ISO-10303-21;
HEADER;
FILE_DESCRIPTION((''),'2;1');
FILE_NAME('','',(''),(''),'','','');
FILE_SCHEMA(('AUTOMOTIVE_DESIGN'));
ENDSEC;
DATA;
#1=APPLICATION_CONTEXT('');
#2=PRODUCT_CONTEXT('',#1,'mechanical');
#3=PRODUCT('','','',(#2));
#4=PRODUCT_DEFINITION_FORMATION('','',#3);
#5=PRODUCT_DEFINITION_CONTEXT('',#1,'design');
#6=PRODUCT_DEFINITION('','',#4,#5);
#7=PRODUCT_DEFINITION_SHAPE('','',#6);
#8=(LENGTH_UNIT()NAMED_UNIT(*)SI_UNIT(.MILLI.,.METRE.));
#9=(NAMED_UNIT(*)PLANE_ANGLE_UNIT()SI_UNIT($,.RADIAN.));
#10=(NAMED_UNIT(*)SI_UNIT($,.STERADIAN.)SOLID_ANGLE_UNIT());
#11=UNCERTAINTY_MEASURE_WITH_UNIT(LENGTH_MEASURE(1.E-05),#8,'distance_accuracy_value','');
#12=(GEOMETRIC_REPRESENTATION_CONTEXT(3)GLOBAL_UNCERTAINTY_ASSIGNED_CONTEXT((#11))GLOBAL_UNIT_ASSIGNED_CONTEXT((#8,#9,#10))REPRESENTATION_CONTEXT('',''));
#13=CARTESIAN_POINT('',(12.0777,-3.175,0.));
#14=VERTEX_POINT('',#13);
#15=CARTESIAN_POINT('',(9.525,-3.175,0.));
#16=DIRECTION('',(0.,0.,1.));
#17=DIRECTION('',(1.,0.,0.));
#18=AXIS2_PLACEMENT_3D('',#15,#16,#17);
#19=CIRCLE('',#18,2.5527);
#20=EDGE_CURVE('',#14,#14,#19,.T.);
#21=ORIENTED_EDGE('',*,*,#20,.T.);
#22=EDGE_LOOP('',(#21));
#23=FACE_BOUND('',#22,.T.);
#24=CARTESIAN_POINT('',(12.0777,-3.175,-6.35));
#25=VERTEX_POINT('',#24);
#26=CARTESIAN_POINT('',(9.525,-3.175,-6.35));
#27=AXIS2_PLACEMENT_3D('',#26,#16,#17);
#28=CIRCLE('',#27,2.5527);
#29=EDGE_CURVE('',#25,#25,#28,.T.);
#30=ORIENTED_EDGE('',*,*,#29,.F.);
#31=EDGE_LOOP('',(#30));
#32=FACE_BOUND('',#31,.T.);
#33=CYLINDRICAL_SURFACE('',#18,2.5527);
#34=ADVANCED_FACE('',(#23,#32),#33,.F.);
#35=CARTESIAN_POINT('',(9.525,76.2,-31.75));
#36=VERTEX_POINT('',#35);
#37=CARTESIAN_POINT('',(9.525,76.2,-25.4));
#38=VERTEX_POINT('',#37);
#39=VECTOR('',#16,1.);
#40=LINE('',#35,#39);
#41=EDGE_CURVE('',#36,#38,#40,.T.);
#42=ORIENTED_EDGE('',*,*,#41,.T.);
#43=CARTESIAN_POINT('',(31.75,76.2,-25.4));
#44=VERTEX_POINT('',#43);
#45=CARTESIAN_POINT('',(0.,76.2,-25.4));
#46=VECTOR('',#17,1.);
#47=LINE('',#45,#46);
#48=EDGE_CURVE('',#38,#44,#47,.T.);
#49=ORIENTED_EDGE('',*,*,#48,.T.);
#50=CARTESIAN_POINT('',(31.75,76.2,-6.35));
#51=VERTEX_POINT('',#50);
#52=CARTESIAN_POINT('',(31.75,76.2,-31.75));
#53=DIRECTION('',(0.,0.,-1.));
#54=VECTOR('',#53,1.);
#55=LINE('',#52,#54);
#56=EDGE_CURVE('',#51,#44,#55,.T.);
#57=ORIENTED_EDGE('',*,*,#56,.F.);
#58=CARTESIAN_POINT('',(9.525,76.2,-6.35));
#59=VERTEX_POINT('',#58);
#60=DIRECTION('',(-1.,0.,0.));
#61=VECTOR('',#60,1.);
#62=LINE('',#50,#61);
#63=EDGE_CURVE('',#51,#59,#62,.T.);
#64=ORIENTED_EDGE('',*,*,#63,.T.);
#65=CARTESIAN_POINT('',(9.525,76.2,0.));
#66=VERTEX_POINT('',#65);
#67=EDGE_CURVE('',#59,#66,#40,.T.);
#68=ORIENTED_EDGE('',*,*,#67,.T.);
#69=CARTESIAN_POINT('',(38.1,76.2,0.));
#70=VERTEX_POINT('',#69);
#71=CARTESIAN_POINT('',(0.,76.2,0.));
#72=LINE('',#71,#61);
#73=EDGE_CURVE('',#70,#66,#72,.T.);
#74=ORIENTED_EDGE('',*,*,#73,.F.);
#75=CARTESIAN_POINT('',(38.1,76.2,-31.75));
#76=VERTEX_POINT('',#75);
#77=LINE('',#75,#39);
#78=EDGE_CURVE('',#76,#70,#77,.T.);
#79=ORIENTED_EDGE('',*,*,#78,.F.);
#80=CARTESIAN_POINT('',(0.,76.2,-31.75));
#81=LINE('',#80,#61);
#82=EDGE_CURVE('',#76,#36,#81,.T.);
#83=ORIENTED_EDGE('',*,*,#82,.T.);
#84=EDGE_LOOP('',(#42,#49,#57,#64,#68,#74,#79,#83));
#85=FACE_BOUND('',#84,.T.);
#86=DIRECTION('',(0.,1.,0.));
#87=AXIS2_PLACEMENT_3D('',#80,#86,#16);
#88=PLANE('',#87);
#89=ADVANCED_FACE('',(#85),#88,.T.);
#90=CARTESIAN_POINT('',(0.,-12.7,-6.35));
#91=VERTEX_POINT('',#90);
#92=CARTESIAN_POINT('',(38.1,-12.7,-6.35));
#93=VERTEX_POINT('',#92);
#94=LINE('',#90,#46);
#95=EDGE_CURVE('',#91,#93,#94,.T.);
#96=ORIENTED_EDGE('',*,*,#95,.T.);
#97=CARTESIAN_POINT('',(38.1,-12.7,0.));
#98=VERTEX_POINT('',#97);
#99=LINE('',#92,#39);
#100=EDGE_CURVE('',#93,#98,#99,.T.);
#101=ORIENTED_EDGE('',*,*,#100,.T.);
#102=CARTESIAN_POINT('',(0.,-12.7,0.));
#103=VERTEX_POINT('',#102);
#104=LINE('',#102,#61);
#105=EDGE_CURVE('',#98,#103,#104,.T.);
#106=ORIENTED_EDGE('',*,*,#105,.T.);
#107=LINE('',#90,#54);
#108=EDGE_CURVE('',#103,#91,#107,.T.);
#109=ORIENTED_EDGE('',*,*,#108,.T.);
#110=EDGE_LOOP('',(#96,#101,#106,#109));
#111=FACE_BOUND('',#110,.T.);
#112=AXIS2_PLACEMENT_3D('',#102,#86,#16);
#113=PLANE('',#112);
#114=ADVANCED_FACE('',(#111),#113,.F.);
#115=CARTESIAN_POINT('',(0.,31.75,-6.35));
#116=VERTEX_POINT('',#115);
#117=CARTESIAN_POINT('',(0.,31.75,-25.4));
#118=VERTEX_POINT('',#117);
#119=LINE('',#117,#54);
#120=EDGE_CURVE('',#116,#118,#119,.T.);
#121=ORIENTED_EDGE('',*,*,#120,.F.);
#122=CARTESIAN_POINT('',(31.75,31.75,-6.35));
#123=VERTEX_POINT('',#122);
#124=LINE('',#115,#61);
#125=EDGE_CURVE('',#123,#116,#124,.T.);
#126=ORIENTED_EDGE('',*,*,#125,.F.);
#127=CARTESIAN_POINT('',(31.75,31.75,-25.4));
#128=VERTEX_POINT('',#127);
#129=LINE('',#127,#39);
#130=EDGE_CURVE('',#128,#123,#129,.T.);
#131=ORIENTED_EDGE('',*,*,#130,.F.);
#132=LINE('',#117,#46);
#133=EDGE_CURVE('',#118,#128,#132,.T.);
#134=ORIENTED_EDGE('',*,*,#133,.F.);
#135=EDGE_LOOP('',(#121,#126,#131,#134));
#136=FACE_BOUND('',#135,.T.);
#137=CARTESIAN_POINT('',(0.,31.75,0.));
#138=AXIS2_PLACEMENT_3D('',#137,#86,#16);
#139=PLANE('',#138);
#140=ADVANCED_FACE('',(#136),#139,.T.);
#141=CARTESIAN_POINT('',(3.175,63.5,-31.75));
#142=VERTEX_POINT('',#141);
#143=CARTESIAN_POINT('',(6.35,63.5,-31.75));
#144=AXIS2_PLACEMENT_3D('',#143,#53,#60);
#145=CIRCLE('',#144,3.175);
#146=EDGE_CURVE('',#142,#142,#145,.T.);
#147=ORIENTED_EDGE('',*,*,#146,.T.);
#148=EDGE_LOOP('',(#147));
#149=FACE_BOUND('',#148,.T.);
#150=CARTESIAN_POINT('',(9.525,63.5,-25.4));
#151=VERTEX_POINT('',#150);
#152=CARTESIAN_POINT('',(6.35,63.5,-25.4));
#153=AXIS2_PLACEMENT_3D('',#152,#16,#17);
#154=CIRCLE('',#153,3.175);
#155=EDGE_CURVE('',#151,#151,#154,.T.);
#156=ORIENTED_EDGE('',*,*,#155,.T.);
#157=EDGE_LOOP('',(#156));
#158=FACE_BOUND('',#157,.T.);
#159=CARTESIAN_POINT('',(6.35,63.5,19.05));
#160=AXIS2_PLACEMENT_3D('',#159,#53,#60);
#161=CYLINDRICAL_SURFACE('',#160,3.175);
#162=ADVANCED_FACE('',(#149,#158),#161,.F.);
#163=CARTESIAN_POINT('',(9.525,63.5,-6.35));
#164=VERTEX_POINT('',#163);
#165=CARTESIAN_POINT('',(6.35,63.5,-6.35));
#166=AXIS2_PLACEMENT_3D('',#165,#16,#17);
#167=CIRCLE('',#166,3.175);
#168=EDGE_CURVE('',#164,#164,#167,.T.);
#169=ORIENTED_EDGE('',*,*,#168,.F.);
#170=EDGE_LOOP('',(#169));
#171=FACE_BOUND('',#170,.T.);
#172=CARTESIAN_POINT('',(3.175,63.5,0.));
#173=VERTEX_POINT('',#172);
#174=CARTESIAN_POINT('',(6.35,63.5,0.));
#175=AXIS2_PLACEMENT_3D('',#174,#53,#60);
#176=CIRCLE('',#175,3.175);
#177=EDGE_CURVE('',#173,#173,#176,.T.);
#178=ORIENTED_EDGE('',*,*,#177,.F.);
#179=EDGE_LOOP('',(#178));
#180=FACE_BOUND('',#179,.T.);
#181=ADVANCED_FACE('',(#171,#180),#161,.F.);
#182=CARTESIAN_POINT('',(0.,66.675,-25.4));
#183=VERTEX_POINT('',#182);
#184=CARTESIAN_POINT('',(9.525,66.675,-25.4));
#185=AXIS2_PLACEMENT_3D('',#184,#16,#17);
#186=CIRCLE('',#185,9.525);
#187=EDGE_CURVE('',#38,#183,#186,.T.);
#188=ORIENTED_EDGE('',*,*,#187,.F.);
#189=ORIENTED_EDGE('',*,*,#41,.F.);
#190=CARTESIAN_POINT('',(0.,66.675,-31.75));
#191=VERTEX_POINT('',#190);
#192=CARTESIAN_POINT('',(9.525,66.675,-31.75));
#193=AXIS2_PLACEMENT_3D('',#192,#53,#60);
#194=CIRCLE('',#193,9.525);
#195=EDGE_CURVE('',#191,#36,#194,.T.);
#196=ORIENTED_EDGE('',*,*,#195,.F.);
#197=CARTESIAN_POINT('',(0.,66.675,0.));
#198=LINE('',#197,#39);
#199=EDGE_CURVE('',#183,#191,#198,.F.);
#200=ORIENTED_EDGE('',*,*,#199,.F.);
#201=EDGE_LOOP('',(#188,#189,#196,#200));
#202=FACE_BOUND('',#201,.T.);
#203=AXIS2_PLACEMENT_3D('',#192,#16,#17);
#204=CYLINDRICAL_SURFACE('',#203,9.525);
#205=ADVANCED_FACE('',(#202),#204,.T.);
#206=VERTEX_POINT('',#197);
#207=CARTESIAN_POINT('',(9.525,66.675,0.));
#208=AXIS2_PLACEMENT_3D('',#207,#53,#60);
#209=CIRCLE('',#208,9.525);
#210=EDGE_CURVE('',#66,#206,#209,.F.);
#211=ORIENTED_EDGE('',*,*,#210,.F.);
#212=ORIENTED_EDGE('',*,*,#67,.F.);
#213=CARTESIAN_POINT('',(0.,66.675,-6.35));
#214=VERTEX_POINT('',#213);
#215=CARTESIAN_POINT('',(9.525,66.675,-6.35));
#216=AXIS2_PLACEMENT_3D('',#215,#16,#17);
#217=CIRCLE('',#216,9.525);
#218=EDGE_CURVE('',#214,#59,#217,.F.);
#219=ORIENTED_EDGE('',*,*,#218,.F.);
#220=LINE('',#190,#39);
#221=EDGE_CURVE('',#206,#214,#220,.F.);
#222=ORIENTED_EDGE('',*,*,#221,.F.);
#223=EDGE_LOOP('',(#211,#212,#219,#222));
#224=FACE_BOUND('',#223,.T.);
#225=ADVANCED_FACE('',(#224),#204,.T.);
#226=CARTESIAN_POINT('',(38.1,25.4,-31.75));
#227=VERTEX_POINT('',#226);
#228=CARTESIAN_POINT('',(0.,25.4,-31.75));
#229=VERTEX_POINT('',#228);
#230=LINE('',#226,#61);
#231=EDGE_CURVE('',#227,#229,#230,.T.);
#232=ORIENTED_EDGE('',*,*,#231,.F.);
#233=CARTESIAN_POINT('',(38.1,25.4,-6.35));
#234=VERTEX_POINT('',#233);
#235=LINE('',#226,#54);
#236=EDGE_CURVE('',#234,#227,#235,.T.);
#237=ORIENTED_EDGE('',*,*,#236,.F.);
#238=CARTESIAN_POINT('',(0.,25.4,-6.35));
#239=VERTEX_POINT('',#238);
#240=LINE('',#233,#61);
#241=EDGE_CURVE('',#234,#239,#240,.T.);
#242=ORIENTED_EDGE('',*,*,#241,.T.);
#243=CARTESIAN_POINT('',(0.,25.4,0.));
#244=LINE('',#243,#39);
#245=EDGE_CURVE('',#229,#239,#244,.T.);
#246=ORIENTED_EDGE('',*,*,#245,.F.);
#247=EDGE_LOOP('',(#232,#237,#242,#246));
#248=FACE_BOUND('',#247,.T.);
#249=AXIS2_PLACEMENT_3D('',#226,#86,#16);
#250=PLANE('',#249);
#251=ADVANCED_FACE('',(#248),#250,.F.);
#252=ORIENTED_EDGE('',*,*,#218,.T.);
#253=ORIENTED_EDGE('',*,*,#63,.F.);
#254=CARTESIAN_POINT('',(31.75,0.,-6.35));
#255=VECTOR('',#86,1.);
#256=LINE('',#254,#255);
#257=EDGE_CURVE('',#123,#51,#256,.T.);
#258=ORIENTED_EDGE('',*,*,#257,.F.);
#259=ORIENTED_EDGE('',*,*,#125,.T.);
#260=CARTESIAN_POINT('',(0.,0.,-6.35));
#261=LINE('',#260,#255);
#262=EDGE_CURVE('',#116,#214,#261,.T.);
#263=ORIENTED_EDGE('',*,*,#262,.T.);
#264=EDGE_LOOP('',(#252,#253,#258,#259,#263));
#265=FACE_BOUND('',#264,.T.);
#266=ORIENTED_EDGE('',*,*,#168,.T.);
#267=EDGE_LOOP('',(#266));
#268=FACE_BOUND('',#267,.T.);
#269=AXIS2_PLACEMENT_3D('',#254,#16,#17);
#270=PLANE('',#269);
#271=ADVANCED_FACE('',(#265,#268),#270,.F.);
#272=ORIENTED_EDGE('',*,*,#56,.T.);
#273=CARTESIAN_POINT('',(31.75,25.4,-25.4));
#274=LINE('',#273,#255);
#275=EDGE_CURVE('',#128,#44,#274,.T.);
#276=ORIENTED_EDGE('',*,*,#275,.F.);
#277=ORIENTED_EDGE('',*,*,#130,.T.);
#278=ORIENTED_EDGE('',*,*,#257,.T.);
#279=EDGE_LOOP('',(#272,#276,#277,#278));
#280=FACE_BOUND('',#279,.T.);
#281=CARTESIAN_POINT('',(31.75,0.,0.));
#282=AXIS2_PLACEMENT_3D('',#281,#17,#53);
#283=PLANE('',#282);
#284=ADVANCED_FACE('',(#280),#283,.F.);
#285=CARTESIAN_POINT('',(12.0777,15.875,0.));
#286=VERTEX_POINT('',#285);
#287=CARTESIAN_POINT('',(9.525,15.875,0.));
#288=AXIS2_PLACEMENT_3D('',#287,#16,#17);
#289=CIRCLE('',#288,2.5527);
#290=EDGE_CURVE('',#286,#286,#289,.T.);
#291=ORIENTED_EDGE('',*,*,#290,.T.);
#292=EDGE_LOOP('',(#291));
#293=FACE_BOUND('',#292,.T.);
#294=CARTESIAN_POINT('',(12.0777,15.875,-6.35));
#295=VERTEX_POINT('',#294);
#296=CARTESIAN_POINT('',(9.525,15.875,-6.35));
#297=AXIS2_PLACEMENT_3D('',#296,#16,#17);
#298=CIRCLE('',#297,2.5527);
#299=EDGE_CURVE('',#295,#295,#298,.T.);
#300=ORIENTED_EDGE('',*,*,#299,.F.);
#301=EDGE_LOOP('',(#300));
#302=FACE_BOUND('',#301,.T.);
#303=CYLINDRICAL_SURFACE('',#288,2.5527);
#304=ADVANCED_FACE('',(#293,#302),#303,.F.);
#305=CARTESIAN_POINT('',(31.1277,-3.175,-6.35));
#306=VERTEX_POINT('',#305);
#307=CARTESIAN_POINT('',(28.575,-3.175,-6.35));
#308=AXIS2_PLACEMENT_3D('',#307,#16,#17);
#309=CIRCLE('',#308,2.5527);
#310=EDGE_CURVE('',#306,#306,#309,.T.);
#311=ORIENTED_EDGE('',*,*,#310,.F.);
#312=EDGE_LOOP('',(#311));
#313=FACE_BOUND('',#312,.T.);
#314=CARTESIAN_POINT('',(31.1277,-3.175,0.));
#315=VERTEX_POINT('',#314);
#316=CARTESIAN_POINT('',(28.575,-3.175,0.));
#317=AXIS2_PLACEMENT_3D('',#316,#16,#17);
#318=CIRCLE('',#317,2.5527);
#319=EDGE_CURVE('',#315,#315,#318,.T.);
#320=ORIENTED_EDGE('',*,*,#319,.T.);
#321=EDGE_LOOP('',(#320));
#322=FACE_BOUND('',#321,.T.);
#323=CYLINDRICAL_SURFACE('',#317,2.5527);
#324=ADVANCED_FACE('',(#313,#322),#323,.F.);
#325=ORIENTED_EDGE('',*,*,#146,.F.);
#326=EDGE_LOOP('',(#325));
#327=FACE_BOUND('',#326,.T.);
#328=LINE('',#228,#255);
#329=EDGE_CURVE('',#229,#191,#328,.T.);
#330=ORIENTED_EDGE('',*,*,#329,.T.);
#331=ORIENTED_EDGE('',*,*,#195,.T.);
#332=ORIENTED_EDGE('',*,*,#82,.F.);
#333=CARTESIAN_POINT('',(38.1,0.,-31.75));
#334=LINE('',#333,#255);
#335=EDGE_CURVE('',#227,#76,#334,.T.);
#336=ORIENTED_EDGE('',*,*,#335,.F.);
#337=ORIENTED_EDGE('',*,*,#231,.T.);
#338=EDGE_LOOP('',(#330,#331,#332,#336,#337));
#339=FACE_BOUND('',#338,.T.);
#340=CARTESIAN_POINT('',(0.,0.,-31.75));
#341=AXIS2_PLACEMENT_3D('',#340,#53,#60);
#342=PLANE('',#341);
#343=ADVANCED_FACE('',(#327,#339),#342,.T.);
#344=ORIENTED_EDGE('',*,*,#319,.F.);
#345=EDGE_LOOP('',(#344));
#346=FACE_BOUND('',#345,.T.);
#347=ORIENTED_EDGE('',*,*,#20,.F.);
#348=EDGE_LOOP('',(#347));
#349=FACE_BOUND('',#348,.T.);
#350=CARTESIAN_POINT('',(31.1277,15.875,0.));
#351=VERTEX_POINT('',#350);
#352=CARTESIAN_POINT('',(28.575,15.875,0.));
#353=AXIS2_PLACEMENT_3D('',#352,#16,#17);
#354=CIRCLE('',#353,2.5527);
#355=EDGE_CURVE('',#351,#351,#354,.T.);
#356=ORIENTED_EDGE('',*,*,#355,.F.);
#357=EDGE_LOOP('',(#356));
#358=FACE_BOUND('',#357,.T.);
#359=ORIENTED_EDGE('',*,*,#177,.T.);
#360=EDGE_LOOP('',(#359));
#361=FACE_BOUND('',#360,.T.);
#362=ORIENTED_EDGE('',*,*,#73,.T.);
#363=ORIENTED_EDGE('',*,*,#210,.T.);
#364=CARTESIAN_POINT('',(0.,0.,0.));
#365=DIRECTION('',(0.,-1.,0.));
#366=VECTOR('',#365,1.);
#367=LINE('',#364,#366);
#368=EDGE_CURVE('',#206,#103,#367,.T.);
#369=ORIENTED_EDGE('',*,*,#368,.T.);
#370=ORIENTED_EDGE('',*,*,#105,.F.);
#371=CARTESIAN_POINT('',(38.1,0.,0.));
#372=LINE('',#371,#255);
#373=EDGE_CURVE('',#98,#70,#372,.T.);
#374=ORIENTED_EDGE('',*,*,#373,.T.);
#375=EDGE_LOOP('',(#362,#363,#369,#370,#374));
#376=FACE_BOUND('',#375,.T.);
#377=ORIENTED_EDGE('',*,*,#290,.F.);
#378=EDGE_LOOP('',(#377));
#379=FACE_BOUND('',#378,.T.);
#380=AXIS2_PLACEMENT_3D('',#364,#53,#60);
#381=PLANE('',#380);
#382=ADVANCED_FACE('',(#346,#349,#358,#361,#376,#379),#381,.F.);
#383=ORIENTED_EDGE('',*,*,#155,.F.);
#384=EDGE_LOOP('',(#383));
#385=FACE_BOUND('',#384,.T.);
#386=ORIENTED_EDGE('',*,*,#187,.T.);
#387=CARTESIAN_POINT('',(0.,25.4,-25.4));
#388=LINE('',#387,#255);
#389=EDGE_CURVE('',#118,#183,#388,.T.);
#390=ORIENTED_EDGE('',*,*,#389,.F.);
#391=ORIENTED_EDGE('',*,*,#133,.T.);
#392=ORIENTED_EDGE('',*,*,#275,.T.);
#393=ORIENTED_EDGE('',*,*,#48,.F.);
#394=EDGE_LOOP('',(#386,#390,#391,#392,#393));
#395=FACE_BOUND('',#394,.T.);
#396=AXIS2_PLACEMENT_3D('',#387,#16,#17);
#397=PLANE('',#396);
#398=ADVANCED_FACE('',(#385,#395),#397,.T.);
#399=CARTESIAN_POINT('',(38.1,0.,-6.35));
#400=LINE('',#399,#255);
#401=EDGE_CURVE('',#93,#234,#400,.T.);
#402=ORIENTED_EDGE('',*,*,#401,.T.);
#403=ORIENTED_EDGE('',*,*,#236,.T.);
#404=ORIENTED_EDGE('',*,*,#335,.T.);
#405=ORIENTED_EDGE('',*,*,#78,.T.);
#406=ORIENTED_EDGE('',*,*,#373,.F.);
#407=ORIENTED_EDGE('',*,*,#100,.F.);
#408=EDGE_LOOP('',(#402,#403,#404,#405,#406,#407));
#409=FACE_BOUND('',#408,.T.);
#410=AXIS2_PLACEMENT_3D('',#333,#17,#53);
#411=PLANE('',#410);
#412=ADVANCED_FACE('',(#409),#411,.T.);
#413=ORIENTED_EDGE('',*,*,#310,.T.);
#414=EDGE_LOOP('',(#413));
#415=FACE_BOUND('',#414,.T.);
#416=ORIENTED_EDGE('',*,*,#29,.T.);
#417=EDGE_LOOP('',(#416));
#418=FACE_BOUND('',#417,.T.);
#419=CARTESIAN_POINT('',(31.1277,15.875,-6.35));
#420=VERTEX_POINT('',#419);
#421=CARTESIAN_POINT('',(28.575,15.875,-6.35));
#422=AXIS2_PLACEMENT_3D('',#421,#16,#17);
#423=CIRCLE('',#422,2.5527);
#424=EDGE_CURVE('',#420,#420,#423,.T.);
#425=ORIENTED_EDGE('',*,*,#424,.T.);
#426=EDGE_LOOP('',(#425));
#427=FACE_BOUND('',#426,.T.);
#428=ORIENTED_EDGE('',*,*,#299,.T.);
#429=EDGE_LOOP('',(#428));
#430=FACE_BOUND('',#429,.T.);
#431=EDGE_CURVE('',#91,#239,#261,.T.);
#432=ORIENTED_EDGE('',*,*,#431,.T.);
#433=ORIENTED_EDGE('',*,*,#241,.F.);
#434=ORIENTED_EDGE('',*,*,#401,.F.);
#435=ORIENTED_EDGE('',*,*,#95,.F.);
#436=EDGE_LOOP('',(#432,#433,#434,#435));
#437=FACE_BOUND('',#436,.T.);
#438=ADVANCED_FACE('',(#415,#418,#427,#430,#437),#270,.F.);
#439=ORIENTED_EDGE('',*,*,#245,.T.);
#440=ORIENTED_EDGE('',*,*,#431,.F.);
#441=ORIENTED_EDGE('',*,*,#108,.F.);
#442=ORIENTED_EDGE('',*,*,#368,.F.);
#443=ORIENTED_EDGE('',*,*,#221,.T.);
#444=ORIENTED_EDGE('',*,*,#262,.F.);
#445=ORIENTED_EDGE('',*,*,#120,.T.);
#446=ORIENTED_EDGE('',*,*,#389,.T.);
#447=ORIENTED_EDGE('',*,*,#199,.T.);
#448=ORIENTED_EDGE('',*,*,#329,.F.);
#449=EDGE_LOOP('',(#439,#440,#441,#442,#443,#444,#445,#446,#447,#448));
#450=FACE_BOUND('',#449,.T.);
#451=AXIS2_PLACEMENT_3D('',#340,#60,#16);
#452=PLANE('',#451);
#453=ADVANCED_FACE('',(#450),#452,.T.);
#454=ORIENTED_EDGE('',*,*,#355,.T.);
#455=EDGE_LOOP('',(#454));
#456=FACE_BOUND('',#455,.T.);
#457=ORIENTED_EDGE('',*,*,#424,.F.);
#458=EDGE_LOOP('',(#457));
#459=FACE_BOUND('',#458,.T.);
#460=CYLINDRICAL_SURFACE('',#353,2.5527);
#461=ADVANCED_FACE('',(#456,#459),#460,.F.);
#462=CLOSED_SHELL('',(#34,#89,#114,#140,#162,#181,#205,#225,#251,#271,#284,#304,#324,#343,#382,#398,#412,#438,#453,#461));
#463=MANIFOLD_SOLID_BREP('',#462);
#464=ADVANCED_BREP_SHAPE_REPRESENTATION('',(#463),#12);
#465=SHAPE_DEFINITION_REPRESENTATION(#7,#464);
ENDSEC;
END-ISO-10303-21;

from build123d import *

# Parameters (mm, degrees)
SKETCH1_W                   = 38.1
SKETCH1_H                   = 76.2
BOSS_EXTRUDE1_DEPTH         = 31.75
SKETCH3_W                   = 25.4
SKETCH3_H                   = 76.2
CUT_EXTRUDE2_DEPTH          = 31.75
SKETCH4_W                   = 25.4
SKETCH4_H                   = 25.4
CUT_EXTRUDE3_DEPTH          = 89.44526556
SKETCH5_W                   = 31.75
SKETCH5_H                   = 6.35
BOSS_EXTRUDE2_DEPTH         = 50.8
SKETCH6_R                   = 3.175
CUT_EXTRUDE4_DEPTH          = 50.8
FILLET2_R                   = 9.525
SKETCH7_W                   = 31.75
SKETCH7_H                   = 19.05
BOSS_EXTRUDE3_DEPTH         = 6.35
SKETCH11_W                  = 38.1
SKETCH11_H                  = 6.35
BOSS_EXTRUDE4_DEPTH         = 12.7
F_1_4_20_TAPPED_HOLE2_D     = 5.1054
F_1_4_20_TAPPED_HOLE2_DEPTH = 16.51
F_1_4_20_TAPPED_HOLE2_TIP   = 1.533816902


with BuildPart() as part:
    # Sketch1 → Boss-Extrude1 (new body)
    with BuildSketch(Plane.XY):
        with Locations((19.05, 38.1)):
            Rectangle(SKETCH1_W, SKETCH1_H)
    extrude(amount=-BOSS_EXTRUDE1_DEPTH)

    # Sketch3 → Cut-Extrude2 (cut)
    with BuildSketch(Plane.ZY):
        with Locations((-19.05, 38.1)):
            Rectangle(SKETCH3_W, SKETCH3_H)
    extrude(amount=-CUT_EXTRUDE2_DEPTH, mode=Mode.SUBTRACT)

    # Sketch4 → Cut-Extrude3 (cut, through all)
    with BuildSketch(Plane.ZY.offset(-31.75)):
        with Locations((-19.05, 12.7)):
            Rectangle(SKETCH4_W, SKETCH4_H)
    extrude(amount=-CUT_EXTRUDE3_DEPTH, mode=Mode.SUBTRACT)

    # Sketch5 → Boss-Extrude2 (add)
    with BuildSketch(Plane(origin=(0, 76.2, 0), x_dir=(1, 0, 0), z_dir=(0, 1, 0))):
        with Locations((15.875, 28.575)):
            Rectangle(SKETCH5_W, SKETCH5_H)
    extrude(amount=-BOSS_EXTRUDE2_DEPTH)

    # Sketch6 → Cut-Extrude4 (cut)
    with BuildSketch(Plane(origin=(0, 0, -31.75), x_dir=(-1, 0, 0), z_dir=(0, 0, -1))):
        with Locations((-6.35, 63.5)):
            Circle(SKETCH6_R)
    extrude(amount=-CUT_EXTRUDE4_DEPTH, mode=Mode.SUBTRACT)

    # Fillet2
    fillet2_edges = [part.edges().sort_by_distance(p)[0] for p in [
        (0, 76.2, -3.175),
        (0, 76.2, -28.575),
    ]]
    fillet(fillet2_edges, radius=FILLET2_R)

    # Sketch7 → Boss-Extrude3 (add)
    with BuildSketch(Plane(origin=(0, 25.4, 0), x_dir=(-1, 0, 0), z_dir=(0, -1, 0))):
        with Locations((-15.875, 15.875)):
            Rectangle(SKETCH7_W, SKETCH7_H)
    extrude(amount=-BOSS_EXTRUDE3_DEPTH)

    # Sketch11 → Boss-Extrude4 (add)
    with BuildSketch(Plane.XZ):
        with Locations((19.05, -3.175)):
            Rectangle(SKETCH11_W, SKETCH11_H)
    extrude(amount=BOSS_EXTRUDE4_DEPTH)

    # 1/4-20 Tapped Hole2
    with Locations(Plane(origin=(9.525, -3.175, 0), x_dir=(1, 0, 0), z_dir=(0, 0, 1))):
        with Locations((0, 0), (19.05, 0), (0, 19.05), (19.05, 19.05)):
            Hole(F_1_4_20_TAPPED_HOLE2_D / 2, depth=F_1_4_20_TAPPED_HOLE2_DEPTH)
            with Locations((0, 0, -(F_1_4_20_TAPPED_HOLE2_DEPTH + F_1_4_20_TAPPED_HOLE2_TIP / 2))):  # 118° drill point
                Cone(0, F_1_4_20_TAPPED_HOLE2_D / 2, F_1_4_20_TAPPED_HOLE2_TIP, mode=Mode.SUBTRACT)


solid = part.part
